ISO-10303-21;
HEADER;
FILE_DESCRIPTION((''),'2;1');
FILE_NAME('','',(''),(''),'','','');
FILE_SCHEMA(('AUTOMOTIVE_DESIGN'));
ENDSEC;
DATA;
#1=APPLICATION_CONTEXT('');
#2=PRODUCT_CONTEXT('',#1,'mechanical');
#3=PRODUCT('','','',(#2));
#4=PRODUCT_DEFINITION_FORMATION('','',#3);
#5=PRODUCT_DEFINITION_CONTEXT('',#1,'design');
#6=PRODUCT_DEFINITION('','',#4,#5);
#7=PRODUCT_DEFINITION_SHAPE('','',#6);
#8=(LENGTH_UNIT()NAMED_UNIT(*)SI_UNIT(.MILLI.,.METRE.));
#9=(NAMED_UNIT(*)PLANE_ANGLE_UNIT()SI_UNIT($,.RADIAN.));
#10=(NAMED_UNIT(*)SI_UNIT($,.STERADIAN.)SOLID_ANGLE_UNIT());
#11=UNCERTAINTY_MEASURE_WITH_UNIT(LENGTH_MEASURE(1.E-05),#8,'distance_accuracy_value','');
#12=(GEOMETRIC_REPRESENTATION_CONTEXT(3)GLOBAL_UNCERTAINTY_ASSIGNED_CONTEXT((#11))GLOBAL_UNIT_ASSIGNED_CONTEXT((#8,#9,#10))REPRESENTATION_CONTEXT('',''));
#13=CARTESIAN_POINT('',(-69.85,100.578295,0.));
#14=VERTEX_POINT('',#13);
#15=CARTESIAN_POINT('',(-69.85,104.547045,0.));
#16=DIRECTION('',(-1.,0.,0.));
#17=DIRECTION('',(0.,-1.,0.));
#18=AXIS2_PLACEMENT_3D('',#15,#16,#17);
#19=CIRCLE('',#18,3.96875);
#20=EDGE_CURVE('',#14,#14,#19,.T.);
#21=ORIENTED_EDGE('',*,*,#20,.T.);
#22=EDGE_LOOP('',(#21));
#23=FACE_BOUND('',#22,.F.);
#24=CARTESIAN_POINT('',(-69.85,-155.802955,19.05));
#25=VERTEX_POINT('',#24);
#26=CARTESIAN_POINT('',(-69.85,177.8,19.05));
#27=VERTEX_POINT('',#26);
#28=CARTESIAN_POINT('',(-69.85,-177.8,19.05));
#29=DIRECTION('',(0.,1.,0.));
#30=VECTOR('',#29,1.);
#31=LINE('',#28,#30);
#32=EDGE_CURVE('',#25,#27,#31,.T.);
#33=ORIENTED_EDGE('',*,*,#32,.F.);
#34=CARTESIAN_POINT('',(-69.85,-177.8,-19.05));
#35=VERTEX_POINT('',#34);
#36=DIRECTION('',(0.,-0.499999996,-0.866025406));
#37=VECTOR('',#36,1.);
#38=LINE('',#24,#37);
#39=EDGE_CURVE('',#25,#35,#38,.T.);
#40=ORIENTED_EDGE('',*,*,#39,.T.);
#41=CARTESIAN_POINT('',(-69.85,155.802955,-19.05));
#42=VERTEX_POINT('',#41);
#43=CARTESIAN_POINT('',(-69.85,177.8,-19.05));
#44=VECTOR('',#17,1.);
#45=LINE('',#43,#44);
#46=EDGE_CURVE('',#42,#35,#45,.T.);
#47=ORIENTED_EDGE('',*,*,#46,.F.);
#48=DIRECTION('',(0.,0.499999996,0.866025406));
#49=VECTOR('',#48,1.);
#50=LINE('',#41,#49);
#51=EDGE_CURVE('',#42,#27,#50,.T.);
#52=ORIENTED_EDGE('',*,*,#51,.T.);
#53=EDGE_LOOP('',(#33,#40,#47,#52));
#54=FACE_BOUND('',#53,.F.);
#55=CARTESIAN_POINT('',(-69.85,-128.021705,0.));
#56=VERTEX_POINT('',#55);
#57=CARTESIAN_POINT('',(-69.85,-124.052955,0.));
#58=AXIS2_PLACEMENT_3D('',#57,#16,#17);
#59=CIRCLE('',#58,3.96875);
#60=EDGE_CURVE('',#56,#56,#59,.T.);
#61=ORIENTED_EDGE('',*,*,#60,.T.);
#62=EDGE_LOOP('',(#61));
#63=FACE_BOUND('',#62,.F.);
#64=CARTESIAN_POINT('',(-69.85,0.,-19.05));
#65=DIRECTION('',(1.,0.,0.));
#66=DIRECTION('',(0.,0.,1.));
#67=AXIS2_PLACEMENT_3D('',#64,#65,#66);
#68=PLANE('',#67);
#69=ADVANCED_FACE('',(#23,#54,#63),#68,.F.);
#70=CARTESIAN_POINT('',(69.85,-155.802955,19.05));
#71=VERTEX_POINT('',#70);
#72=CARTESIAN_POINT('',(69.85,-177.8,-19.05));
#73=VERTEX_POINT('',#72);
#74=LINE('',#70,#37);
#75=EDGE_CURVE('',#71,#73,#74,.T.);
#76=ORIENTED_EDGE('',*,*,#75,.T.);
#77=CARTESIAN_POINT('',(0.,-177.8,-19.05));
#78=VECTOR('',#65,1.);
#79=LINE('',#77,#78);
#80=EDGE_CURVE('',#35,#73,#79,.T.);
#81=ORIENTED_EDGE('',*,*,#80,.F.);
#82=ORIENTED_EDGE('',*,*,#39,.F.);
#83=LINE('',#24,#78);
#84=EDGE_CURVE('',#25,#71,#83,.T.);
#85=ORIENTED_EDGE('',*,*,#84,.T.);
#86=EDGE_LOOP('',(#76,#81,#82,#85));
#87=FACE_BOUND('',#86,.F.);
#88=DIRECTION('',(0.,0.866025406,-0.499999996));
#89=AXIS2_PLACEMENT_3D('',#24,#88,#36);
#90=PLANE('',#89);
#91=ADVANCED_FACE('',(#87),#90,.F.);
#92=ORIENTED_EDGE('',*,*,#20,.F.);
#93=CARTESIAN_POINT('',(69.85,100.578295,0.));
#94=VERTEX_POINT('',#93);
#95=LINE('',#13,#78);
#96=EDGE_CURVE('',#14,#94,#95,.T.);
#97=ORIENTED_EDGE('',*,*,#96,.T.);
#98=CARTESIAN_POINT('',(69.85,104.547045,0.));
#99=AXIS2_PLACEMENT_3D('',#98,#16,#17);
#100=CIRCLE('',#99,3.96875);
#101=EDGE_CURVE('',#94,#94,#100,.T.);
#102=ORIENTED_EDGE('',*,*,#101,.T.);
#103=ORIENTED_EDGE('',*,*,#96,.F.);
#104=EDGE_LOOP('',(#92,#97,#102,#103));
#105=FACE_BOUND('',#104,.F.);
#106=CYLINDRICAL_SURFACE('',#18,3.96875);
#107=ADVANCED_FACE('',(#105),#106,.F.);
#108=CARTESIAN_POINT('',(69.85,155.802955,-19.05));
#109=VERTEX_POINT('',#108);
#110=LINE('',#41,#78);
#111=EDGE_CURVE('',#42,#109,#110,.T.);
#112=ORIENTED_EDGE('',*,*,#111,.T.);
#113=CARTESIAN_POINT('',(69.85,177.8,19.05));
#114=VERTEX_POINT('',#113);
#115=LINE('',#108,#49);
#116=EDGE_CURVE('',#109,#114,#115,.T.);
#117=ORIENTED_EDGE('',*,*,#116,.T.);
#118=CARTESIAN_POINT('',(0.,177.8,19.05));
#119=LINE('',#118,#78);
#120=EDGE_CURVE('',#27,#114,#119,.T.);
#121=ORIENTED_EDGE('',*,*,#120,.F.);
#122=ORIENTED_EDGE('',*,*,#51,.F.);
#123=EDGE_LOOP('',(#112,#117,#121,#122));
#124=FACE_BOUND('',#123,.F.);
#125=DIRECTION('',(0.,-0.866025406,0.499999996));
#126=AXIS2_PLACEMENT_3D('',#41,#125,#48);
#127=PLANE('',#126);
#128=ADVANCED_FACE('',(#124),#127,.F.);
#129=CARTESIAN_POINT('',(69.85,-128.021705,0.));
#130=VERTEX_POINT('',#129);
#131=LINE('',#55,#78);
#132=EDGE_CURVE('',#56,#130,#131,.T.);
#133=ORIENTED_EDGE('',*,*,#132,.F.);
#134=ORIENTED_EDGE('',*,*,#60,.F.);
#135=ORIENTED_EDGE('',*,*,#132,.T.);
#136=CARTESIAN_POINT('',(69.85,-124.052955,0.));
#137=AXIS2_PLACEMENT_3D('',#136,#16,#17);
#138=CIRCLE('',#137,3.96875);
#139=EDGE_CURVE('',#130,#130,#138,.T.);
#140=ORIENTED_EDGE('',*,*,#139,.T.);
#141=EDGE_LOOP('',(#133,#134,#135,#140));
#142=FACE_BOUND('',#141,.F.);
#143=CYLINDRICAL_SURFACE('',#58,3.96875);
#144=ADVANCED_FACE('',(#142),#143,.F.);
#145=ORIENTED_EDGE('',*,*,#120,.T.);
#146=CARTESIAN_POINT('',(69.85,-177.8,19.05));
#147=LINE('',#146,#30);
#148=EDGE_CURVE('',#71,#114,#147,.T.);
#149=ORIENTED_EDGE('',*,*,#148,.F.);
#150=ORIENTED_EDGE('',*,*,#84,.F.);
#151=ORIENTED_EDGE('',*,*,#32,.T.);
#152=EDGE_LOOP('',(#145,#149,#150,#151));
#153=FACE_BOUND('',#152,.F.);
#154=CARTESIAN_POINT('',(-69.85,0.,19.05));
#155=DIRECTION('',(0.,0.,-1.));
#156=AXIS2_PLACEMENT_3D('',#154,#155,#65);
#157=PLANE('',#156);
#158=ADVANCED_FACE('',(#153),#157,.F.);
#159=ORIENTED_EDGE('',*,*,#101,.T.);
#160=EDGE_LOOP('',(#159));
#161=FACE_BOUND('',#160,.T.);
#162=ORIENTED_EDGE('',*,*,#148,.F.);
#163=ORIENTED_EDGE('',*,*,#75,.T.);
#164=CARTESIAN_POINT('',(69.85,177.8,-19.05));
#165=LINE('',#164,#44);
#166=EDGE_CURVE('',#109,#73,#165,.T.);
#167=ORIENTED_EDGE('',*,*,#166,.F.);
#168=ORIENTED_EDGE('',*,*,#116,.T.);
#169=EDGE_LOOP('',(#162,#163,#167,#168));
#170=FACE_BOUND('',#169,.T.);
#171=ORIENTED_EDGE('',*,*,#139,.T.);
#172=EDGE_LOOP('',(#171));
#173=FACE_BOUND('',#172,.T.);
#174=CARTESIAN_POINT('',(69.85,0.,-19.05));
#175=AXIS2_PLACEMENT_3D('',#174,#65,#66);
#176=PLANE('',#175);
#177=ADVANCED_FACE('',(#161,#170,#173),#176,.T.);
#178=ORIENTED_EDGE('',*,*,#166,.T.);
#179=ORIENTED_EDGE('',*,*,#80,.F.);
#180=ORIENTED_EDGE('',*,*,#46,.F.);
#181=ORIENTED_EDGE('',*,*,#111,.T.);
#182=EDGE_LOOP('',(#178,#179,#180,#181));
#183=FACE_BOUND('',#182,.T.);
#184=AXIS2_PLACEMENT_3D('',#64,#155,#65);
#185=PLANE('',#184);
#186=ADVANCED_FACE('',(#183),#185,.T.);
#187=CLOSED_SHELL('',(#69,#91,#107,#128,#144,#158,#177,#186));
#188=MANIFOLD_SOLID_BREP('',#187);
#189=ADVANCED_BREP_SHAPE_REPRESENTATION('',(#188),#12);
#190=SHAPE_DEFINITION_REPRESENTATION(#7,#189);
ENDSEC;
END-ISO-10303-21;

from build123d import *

# Parameters (mm, degrees)
F0_W          = 139.7
F0_H          = 38.1
F1_DEPTH      = 177.8
F1_DEPTH_BACK = 177.8
F3_DEPTH      = 139.7
F4_R          = 3.96875
F5_DEPTH      = 139.701


with BuildPart() as f1:
    # F0 (on Front) → F1 (new body, two sides)
    with BuildSketch(Plane.XZ) as f1_sk:
        Rectangle(F0_W, F0_H)
    extrude(amount=F1_DEPTH)
    extrude(f1_sk.sketch, amount=-F1_DEPTH_BACK)

    # F2 (on face) → F3 (cut, through all)
    with BuildSketch(Plane(origin=(-69.85, 0, 0), x_dir=(0, -1, 0), z_dir=(-1, 0, 0))):
        Polygon((-155.802955, -19.05), (-177.8, 19.05), (-177.8, -19.05), align=None)
        Polygon((177.8, -19.05), (177.8, 19.05), (155.802955, 19.05), align=None)
    extrude(amount=-F3_DEPTH, mode=Mode.SUBTRACT)

    # F4 (on face) → F5 (cut, through all)
    with BuildSketch(Plane(origin=(-69.85, 0, 0), x_dir=(0, -1, 0), z_dir=(-1, 0, 0))):
        with Locations((-104.547045, 0)):
            Circle(F4_R)
        with Locations((124.052955, 0)):
            Circle(F4_R)
    extrude(amount=-F5_DEPTH, mode=Mode.SUBTRACT)


solid = f1.part
